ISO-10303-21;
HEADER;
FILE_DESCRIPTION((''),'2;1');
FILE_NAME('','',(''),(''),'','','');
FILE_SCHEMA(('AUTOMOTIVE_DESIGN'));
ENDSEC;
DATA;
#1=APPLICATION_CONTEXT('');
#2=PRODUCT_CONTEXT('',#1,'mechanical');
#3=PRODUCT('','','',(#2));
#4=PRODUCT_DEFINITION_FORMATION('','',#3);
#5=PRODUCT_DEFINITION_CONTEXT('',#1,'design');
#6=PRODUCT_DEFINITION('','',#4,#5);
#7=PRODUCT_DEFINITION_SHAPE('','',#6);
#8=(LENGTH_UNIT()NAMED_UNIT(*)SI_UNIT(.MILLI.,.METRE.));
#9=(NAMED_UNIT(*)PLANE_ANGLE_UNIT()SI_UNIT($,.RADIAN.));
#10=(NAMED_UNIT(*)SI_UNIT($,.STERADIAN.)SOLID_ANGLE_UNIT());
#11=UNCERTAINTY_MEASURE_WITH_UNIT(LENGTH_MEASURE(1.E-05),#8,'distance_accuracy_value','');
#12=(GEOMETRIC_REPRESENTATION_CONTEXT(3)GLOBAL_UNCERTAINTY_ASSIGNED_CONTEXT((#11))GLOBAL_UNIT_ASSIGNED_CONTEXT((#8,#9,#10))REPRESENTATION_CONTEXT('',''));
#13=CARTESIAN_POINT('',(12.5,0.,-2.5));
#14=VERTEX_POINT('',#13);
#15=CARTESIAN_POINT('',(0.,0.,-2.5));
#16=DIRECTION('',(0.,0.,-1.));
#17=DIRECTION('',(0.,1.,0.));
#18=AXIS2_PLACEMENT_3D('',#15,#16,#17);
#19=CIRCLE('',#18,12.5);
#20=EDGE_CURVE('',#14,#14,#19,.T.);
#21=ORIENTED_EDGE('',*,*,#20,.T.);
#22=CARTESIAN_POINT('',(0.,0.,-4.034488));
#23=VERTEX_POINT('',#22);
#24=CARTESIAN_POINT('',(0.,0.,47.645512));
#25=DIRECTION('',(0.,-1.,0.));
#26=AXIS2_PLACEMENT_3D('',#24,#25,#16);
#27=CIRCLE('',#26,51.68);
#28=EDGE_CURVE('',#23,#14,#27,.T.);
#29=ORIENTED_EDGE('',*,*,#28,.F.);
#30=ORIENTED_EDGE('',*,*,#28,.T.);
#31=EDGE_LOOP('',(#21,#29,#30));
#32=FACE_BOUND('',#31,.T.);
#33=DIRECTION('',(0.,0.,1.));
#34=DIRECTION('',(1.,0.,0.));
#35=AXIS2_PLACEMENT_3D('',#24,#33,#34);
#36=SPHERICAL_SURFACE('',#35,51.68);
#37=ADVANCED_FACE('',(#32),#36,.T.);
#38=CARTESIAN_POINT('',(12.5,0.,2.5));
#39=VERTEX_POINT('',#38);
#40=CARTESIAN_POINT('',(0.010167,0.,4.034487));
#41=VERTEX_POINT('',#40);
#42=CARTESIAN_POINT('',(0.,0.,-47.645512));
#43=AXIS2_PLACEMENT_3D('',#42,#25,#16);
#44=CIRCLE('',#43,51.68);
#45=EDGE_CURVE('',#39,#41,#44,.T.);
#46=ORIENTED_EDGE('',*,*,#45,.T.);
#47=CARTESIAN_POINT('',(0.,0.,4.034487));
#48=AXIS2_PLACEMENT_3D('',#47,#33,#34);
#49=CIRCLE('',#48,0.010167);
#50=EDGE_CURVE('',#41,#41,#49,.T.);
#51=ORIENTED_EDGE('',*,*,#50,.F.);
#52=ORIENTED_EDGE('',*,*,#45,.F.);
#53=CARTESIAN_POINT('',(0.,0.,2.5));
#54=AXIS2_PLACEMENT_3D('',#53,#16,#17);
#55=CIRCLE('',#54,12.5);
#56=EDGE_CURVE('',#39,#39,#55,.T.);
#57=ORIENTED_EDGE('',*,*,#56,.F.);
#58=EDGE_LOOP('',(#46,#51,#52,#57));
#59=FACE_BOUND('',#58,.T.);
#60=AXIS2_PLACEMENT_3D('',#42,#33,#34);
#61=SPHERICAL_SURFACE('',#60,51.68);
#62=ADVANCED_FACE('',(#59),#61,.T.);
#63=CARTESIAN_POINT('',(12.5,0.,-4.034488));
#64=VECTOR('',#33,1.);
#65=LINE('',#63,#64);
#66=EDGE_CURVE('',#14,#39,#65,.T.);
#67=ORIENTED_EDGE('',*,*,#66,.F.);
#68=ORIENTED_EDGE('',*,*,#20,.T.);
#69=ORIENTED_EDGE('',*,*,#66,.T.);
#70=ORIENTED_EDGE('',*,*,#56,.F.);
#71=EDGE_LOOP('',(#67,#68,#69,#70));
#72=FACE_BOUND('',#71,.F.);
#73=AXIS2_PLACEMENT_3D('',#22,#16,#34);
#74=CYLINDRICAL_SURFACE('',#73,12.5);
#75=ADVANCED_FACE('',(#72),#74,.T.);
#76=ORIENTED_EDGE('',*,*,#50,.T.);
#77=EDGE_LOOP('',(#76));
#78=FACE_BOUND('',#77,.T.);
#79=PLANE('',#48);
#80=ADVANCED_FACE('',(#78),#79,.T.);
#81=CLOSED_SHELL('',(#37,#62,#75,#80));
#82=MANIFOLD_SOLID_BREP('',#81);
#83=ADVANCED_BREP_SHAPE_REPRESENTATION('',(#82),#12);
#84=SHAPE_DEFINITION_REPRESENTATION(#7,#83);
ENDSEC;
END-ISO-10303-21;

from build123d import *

# Parameters (mm, degrees)
CYLINDER_R     = 12.5
CYLINDER_DEPTH = 8.068975


with BuildPart() as sphere001:
    # Sphere001 → Sphere001 (revolve)
    with BuildSketch(Plane(origin=(0, 0, -47.645512), x_dir=(1, 0, 0), z_dir=(0, -1, 0))):
        with BuildLine():
            ThreePointArc((0, -51.68), (51.68, 0), (0, 51.68))
            Line((0, 51.68), (0, -51.68))
        make_face()
    revolve(axis=Axis((0, 0, -47.645512), (0, 0, 1)))


with BuildPart() as common:
    # Sphere → Sphere (revolve)
    with BuildSketch(Plane(origin=(0, 0, 47.645512), x_dir=(1, 0, 0), z_dir=(0, -1, 0))):
        with BuildLine():
            ThreePointArc((0, -51.68), (51.68, 0), (0, 51.68))
            Line((0, 51.68), (0, -51.68))
        make_face()
    revolve(axis=Axis((0, 0, 47.645512), (0, 0, 1)))

    # Common: intersect Sphere001
    add(sphere001.part, mode=Mode.INTERSECT)


with BuildPart() as lens:
    # Cylinder → Cylinder (new body)
    with BuildSketch(Plane.XY.offset(-4.034488)):
        Circle(CYLINDER_R)
    extrude(amount=CYLINDER_DEPTH)

    # Common001: intersect Common
    add(common.part, mode=Mode.INTERSECT)


solid = lens.part
